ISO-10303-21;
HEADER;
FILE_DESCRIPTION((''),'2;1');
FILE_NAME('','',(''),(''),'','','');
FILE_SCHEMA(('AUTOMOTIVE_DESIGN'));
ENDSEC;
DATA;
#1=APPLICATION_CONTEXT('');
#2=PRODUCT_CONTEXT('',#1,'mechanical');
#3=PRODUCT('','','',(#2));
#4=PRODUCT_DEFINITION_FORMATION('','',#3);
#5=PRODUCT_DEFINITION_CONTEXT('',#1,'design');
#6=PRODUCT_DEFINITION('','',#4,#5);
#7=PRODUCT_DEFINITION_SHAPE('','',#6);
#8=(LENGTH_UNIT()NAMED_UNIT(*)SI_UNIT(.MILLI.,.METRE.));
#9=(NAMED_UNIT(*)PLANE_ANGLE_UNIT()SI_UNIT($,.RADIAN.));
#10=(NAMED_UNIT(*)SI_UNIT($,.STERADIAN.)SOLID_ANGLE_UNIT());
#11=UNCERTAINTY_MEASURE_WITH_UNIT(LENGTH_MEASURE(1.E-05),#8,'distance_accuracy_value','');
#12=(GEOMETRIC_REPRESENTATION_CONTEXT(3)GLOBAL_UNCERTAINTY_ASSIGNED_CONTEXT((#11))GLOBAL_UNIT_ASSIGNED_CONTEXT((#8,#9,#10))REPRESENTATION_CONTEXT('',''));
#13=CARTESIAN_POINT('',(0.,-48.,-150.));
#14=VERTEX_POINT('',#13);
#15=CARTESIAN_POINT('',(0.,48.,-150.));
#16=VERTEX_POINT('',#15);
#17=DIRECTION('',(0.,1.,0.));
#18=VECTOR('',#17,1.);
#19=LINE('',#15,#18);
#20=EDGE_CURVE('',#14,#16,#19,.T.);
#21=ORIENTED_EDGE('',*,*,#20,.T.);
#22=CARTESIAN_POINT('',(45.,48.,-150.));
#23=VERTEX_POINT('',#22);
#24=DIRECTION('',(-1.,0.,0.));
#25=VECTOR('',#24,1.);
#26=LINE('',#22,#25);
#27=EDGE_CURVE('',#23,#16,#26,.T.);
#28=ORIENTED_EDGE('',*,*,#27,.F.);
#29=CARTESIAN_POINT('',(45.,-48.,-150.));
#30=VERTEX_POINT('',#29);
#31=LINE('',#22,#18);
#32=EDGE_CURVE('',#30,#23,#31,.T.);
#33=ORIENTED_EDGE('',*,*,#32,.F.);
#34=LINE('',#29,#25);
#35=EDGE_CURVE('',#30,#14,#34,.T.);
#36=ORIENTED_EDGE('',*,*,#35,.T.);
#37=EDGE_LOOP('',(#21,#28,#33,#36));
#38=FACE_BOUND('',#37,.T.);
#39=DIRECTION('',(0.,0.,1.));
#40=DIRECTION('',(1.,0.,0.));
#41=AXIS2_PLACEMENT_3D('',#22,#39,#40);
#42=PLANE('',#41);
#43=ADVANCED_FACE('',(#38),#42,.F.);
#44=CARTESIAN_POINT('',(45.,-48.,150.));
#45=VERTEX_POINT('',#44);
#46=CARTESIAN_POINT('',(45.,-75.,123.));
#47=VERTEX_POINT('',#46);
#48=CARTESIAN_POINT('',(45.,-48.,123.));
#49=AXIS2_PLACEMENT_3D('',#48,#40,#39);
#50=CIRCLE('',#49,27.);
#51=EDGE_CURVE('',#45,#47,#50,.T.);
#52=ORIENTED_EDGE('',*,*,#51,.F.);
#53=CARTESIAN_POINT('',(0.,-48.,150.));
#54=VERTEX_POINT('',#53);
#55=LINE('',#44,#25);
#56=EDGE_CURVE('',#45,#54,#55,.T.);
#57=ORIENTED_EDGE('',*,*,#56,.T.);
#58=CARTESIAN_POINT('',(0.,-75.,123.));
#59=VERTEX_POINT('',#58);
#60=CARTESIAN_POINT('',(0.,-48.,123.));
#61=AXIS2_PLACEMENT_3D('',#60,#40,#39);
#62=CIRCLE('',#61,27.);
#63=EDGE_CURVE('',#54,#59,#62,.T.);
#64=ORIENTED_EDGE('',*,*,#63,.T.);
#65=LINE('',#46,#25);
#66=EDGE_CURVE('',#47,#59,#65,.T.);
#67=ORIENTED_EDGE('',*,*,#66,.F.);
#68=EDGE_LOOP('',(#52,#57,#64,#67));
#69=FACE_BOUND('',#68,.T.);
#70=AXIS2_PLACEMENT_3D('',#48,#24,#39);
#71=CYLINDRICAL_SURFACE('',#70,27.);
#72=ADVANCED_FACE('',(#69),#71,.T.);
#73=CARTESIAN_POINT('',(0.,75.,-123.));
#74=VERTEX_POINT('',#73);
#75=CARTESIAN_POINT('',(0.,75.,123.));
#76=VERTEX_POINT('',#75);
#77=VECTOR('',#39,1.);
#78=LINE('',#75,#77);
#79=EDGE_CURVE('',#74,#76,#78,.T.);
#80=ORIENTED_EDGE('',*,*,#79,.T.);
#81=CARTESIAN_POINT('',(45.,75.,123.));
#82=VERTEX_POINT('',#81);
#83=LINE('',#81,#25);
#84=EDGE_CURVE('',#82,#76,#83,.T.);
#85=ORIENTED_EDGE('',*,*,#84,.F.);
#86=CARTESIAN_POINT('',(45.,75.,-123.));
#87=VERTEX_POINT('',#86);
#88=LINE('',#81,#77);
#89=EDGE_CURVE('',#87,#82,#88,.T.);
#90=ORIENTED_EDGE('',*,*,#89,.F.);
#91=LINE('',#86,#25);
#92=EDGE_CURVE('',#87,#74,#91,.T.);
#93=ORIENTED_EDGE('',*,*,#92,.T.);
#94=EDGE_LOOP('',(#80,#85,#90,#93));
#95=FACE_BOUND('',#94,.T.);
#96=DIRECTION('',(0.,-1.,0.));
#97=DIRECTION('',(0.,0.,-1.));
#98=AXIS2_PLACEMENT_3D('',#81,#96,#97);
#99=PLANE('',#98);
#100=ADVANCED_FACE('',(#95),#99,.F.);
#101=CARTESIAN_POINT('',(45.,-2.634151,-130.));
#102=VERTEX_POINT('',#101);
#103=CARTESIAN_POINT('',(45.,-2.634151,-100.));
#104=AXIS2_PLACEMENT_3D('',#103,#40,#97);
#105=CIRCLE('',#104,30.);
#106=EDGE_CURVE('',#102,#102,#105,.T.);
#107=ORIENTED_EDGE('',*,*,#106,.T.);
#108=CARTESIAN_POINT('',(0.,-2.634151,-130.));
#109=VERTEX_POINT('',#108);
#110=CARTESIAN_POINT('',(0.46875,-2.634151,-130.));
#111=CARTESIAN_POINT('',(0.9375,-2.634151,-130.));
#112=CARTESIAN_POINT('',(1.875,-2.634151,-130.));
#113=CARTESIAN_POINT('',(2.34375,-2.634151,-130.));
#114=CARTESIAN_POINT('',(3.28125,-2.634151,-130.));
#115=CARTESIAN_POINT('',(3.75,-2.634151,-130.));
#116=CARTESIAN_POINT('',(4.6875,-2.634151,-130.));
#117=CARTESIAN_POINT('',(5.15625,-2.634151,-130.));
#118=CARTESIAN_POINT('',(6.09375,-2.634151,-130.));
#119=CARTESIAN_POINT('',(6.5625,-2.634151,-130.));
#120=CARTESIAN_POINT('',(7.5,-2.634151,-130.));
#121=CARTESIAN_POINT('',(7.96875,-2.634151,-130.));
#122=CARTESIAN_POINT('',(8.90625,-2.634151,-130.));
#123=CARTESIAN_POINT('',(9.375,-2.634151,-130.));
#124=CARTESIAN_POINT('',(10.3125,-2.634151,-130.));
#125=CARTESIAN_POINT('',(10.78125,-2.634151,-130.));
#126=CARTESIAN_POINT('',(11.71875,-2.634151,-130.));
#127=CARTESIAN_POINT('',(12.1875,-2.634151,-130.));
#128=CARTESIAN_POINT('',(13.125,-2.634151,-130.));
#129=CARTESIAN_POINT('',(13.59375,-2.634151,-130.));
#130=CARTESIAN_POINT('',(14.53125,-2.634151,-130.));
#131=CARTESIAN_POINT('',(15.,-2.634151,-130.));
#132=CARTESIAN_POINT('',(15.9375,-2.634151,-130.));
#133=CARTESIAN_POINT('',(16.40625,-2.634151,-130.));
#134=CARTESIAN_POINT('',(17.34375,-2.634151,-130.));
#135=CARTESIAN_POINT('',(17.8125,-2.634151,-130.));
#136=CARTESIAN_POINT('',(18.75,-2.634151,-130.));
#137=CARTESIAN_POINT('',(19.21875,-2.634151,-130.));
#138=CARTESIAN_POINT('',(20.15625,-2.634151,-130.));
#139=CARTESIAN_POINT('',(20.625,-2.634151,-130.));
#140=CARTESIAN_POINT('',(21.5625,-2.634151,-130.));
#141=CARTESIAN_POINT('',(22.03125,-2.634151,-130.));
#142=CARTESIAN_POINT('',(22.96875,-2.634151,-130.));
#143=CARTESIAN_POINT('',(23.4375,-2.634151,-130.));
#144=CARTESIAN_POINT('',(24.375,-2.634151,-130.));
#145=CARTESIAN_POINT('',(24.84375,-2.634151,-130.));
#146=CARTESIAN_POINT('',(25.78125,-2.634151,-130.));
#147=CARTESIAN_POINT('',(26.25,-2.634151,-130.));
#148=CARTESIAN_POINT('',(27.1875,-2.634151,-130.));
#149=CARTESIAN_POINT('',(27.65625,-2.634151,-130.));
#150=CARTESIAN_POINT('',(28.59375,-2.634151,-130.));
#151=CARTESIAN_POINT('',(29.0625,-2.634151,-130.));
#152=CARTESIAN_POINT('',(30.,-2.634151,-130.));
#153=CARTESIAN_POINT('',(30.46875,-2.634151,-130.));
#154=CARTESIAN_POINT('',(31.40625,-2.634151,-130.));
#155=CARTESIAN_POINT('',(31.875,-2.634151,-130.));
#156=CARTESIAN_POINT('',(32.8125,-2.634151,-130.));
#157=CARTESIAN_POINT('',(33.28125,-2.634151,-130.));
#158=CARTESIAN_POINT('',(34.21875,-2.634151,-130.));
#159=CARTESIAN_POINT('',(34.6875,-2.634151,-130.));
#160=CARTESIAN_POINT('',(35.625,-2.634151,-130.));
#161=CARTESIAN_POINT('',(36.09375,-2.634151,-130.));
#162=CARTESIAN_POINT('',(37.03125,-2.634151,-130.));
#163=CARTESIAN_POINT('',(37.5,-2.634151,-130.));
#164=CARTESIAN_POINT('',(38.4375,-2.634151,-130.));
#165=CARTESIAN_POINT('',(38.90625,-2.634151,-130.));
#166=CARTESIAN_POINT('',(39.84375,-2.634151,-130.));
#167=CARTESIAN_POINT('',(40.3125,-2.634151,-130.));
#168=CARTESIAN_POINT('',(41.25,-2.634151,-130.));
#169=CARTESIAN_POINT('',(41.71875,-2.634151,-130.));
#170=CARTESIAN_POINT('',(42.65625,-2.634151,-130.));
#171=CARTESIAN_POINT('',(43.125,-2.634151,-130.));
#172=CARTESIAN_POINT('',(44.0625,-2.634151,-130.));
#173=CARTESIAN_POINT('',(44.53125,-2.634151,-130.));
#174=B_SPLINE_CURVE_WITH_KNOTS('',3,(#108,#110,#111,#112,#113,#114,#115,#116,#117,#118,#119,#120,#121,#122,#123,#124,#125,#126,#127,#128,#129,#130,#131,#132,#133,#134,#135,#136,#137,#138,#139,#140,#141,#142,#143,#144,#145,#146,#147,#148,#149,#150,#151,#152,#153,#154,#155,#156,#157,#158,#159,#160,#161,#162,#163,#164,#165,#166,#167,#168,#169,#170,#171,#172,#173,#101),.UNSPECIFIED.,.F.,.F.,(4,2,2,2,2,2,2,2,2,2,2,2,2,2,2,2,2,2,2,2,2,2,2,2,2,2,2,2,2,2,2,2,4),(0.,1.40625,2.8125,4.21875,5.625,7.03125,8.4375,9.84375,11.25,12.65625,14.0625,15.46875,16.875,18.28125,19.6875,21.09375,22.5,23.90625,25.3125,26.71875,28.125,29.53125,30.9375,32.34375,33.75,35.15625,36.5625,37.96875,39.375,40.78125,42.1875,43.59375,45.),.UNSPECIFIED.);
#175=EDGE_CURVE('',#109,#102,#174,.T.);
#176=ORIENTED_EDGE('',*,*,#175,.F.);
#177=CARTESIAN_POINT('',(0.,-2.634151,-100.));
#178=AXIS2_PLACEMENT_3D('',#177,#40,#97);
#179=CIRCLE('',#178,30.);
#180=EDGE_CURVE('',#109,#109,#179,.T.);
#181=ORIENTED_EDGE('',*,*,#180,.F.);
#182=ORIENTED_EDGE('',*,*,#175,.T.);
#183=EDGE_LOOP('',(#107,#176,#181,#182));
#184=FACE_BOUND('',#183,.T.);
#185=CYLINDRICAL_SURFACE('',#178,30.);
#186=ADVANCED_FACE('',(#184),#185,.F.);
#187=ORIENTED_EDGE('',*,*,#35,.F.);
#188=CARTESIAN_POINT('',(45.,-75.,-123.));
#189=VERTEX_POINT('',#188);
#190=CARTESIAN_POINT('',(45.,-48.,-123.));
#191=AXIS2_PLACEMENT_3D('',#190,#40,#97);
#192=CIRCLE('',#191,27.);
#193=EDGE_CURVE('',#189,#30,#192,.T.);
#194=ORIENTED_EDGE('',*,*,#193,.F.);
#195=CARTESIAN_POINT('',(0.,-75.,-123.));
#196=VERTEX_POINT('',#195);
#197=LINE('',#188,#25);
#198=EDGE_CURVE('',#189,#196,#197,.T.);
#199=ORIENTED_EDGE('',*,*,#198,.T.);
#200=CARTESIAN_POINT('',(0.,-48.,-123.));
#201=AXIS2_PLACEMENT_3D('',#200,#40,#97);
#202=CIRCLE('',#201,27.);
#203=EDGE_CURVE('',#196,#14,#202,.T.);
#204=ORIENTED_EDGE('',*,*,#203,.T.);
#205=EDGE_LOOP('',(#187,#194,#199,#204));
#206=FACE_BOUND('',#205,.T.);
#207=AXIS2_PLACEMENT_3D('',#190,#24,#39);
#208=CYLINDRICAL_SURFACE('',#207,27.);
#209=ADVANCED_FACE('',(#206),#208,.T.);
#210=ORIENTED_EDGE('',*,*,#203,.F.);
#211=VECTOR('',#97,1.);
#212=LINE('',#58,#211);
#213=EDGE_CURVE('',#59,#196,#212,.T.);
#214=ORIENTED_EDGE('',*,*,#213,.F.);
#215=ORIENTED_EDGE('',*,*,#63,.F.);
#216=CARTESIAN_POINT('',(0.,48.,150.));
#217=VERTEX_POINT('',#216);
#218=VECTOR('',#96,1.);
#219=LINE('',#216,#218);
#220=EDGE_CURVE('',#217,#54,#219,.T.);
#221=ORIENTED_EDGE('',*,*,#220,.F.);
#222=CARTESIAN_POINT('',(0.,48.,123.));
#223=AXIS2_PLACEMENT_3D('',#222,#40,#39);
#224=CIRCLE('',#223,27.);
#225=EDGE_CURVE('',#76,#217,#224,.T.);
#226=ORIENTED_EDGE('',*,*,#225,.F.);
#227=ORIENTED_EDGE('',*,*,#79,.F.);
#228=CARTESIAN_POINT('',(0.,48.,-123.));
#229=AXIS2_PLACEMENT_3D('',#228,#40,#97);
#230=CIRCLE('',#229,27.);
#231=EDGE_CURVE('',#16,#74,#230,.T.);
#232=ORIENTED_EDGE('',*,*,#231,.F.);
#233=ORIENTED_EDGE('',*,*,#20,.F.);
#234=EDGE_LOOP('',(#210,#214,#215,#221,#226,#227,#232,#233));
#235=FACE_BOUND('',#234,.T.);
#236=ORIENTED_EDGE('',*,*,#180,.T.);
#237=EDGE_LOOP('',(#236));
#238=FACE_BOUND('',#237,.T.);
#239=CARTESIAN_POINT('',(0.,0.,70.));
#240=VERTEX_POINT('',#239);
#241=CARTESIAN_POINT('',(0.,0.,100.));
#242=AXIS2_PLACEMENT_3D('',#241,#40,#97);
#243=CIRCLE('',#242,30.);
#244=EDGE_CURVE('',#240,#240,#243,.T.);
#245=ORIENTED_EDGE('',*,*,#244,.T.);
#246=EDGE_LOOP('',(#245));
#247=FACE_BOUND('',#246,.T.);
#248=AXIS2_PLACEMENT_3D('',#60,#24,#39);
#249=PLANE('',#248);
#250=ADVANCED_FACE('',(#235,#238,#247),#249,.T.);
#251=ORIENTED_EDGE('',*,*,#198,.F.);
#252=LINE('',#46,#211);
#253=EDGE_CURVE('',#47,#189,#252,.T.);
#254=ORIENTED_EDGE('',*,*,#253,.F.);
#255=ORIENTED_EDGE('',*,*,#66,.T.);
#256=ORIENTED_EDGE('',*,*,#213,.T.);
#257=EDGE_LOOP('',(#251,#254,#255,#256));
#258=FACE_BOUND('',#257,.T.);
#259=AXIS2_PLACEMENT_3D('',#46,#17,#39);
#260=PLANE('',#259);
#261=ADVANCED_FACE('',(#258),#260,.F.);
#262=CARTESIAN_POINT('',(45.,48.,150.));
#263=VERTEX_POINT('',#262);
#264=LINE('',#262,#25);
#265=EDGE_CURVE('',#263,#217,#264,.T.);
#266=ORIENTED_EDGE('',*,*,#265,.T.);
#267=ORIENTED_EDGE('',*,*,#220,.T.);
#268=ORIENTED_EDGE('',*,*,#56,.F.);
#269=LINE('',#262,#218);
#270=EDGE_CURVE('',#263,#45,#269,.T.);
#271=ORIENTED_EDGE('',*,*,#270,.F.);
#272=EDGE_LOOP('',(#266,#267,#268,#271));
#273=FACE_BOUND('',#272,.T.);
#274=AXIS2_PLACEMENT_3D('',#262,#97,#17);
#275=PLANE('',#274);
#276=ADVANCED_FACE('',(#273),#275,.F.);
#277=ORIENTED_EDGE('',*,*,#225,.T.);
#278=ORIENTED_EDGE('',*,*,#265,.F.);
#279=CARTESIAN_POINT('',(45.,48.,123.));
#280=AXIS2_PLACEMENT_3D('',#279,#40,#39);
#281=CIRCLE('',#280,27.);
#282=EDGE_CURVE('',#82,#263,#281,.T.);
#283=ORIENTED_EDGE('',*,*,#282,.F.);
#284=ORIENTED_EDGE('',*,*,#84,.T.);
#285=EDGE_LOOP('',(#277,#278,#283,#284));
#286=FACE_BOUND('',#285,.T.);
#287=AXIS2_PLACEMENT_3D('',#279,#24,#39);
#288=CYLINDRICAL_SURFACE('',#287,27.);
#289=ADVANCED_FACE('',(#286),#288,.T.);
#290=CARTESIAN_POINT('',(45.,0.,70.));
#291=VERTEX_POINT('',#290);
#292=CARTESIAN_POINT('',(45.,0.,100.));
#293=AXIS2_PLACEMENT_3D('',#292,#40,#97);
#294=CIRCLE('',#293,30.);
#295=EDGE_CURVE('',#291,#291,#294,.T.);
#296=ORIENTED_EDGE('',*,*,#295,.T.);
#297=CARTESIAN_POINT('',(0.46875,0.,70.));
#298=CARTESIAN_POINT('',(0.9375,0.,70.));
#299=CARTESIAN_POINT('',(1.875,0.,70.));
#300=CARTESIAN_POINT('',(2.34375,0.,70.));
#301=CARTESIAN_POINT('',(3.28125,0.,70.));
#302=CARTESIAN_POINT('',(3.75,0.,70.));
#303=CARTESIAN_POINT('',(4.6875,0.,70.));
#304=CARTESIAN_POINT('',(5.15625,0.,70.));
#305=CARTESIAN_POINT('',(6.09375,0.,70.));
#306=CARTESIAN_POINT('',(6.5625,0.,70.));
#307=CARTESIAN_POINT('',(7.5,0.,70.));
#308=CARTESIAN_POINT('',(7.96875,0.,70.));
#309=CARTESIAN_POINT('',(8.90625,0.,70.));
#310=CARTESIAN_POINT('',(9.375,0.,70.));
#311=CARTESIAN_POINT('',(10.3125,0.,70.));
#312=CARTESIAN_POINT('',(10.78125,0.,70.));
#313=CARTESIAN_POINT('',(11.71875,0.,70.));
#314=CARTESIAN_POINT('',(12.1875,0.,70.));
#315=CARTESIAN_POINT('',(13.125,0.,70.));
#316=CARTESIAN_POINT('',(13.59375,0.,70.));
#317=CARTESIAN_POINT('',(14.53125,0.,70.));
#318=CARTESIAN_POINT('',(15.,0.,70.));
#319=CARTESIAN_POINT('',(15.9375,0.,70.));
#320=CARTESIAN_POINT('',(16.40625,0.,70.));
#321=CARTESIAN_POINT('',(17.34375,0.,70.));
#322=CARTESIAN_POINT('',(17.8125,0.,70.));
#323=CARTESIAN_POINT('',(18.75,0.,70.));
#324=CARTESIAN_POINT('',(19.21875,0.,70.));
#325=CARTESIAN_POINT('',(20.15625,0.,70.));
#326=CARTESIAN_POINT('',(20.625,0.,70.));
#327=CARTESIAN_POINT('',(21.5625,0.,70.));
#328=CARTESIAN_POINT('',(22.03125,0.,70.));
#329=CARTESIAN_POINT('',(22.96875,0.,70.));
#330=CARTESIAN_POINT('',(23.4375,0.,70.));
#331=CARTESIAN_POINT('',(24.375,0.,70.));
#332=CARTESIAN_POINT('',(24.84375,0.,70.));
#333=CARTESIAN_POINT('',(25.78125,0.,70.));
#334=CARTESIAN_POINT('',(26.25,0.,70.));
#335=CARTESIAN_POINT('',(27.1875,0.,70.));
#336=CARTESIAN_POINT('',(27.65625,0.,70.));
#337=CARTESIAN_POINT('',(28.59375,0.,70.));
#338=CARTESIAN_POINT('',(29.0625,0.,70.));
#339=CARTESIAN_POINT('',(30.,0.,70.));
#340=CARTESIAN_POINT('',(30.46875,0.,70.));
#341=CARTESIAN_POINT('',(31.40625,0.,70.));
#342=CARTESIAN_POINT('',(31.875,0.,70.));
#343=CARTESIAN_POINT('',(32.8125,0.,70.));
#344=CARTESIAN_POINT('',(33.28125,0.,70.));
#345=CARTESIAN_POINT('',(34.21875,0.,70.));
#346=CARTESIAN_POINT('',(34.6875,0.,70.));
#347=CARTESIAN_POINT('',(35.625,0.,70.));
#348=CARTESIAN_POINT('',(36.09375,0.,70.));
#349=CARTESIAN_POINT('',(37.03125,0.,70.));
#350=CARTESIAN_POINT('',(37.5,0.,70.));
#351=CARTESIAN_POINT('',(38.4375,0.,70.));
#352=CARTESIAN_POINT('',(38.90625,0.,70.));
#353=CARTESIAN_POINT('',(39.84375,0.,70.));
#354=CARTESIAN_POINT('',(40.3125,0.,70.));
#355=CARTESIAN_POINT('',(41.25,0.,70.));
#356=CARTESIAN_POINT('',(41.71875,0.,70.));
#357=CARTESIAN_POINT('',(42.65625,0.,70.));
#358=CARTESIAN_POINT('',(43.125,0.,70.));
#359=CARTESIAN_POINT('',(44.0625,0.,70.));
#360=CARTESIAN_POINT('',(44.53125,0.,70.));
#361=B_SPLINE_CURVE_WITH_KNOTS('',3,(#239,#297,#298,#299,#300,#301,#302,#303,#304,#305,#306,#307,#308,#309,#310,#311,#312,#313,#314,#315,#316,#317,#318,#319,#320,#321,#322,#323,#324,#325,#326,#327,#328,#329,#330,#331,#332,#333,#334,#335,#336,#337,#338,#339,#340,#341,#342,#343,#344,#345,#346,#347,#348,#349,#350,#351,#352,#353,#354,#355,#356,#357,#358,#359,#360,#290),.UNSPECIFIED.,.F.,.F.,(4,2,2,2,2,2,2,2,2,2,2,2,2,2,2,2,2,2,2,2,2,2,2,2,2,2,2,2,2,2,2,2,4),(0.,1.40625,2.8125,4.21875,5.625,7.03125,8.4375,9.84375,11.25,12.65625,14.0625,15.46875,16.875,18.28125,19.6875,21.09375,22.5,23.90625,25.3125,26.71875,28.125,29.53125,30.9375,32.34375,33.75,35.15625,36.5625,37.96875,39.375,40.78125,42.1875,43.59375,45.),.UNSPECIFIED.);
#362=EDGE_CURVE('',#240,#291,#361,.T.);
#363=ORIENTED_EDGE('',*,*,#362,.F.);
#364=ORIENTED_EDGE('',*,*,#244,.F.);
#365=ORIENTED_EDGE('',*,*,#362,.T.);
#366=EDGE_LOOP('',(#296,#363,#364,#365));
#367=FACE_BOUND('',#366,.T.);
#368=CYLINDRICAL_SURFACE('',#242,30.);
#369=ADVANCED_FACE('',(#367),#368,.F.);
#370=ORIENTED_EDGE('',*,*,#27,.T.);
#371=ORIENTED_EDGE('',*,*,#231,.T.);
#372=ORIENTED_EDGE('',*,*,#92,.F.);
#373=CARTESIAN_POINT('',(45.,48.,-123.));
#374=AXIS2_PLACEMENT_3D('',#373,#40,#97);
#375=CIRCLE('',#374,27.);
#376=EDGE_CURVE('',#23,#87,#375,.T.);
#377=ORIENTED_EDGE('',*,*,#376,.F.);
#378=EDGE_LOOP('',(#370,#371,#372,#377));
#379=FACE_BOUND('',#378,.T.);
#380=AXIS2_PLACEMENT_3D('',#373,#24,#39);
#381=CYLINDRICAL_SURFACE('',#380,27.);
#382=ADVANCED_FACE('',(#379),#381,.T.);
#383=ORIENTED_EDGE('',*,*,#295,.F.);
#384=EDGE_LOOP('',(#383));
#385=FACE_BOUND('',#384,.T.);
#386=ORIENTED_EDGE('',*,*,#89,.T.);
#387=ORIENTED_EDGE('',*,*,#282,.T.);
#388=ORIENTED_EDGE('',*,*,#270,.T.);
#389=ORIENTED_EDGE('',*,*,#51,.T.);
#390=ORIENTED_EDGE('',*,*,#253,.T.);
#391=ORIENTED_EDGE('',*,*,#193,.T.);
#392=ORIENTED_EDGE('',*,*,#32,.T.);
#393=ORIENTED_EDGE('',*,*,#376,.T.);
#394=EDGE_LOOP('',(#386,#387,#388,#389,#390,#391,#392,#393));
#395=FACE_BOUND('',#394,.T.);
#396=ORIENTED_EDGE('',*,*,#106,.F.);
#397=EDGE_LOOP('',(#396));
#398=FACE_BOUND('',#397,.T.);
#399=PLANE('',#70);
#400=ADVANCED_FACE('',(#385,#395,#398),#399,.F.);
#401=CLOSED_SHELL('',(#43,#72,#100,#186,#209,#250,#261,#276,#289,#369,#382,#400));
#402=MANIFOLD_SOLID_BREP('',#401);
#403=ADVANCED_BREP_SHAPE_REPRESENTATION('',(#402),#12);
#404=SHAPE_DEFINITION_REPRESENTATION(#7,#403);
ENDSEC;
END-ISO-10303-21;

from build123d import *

# Parameters (mm, degrees)
Y_KSEKLIK_EKSTR_ZYON1_DEPTH = 45
IZIM2_R                     = 30
KES_EKSTR_ZYON2_DEPTH       = 45


with BuildPart() as part:
    # Çizim1 → Yükseklik-Ekstrüzyon1 (new body)
    with BuildSketch(Plane(origin=(0, 0, 0), x_dir=(0, 0, -1), z_dir=(1, 0, 0))):
        with BuildLine():
            Line((-123, 75), (123, 75))
            ThreePointArc((123, 75), (142.091883092, 67.091883092), (150, 48))
            Line((150, 48), (150, -48))
            ThreePointArc((150, -48), (142.091883092, -67.091883092), (123, -75))
            Line((123, -75), (-123, -75))
            ThreePointArc((-123, -75), (-142.091883092, -67.091883092), (-150, -48))
            Line((-150, -48), (-150, 48))
            ThreePointArc((-150, 48), (-142.091883092, 67.091883092), (-123, 75))
        make_face()
    extrude(amount=Y_KSEKLIK_EKSTR_ZYON1_DEPTH)

    # Çizim2 → Kes-Ekstrüzyon2 (cut)
    with BuildSketch(Plane(origin=(45, 0, 0), x_dir=(0, 0, -1), z_dir=(1, 0, 0))):
        with Locations((100, -2.634150603)):
            Circle(IZIM2_R)
        with Locations((-100, 0)):
            Circle(IZIM2_R)
    extrude(amount=-KES_EKSTR_ZYON2_DEPTH, mode=Mode.SUBTRACT)


solid = part.part
